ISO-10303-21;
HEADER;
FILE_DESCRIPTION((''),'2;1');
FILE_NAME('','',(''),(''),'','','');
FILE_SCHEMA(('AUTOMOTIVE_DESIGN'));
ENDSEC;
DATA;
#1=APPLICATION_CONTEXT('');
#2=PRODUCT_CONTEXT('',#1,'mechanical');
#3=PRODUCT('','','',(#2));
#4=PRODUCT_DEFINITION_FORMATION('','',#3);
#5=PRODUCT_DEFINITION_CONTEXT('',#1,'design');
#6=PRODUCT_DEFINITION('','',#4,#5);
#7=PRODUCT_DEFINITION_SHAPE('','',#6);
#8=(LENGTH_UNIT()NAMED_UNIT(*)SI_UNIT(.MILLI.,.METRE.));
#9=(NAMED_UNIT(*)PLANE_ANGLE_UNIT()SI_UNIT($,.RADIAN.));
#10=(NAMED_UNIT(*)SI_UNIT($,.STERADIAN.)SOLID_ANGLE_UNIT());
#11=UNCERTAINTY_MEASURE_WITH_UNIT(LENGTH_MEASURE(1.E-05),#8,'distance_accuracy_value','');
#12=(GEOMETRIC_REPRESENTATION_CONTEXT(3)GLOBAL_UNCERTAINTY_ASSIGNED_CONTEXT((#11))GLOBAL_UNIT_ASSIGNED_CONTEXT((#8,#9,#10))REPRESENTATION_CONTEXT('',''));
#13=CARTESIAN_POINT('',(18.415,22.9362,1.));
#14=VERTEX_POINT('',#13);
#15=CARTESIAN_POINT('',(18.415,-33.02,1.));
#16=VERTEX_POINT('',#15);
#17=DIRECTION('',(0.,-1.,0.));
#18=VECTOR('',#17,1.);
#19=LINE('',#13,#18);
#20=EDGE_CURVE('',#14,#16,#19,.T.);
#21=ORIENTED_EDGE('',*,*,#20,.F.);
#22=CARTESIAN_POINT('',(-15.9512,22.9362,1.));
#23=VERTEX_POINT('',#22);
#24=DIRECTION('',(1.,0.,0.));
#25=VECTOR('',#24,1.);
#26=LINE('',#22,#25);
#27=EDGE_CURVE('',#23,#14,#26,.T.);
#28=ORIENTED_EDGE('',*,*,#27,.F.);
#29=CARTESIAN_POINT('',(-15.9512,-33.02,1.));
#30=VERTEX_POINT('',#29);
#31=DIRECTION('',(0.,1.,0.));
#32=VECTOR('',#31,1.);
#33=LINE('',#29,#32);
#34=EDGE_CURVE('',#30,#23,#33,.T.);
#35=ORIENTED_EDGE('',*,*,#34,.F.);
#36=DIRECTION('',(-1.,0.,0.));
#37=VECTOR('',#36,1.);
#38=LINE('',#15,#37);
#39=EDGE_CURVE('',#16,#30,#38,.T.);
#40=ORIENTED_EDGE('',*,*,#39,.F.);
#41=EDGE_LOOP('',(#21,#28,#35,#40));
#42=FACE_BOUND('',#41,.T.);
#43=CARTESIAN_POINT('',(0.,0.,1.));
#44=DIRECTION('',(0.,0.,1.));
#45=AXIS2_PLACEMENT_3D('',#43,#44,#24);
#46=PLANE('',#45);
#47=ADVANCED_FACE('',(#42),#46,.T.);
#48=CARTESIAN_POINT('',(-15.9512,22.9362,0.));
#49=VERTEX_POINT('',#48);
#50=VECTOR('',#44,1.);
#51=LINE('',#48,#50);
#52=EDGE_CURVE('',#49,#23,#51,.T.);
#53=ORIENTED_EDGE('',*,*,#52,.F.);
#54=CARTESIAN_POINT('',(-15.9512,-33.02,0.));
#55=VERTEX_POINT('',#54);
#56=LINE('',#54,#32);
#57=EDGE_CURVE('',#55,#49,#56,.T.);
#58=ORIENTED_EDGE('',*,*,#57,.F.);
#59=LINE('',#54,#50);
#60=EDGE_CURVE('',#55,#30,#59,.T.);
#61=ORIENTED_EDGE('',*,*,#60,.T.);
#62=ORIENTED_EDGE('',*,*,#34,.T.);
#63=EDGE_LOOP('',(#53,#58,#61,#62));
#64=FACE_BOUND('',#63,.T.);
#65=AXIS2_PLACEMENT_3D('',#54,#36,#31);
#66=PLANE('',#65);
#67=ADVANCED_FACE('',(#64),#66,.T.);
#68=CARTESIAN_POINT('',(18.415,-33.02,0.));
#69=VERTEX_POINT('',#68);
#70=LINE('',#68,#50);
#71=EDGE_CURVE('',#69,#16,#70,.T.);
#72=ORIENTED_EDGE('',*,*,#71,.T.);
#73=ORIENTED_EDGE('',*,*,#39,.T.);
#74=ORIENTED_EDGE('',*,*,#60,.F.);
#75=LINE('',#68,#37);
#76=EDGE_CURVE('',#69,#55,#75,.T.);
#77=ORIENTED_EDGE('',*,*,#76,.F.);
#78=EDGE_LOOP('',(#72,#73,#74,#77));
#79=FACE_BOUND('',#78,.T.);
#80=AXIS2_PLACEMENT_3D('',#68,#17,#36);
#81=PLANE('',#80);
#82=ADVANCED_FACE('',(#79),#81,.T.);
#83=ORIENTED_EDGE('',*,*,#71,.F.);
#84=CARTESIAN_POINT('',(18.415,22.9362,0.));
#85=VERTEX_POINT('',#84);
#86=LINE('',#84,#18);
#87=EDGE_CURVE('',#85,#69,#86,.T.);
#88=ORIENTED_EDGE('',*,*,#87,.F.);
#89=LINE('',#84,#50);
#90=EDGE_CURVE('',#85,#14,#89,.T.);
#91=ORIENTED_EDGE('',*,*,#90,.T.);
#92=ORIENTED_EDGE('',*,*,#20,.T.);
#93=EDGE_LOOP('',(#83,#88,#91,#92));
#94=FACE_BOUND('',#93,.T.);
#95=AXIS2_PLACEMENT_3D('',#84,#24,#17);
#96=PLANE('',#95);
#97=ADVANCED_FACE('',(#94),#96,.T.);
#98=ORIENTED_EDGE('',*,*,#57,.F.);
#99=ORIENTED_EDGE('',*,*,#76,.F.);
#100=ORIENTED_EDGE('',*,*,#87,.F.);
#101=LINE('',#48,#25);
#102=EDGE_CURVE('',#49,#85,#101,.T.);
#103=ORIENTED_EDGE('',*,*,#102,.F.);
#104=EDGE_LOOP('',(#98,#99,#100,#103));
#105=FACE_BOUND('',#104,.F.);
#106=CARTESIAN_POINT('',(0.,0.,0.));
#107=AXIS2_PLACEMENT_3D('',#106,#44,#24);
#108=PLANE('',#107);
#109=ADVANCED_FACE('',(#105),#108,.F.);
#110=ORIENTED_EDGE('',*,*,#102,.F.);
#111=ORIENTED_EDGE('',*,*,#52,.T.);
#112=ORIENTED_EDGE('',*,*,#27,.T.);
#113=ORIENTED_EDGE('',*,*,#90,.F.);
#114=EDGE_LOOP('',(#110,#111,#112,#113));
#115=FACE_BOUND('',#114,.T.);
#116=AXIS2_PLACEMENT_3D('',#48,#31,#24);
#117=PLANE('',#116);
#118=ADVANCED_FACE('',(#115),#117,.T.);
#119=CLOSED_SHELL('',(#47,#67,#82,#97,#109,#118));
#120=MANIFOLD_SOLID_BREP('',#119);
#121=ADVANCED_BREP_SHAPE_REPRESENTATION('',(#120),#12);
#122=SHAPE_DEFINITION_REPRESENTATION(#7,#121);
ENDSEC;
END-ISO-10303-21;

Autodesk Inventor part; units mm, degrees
ref_plane "YZ Plane" through (0, 0, 0) normal (1, 0, 0) x (0, 1, 0)
ref_plane "XZ Plane" through (0, 0, 0) normal (0, 1, 0) x (-1, 0, 0)
ref_plane "XY Plane" through (0, 0, 0) normal (0, 0, 1) x (1, 0, 0)
sketch "ST7735, ST7735_39" plane through (0, 0, 0) normal (0, 0, 1) x (1, 0, 0)
  line L0 (-15.9512, 22.9362) -> (18.415, 22.9362)
  line L1 (18.415, 22.9362) -> (18.415, -33.02)
  line L2 (18.415, -33.02) -> (-15.9512, -33.02)
  line L3 (-15.9512, -33.02) -> (-15.9512, 22.9362)
extrude "Extrusion1" add sketch "ST7735, ST7735_39" along normal blind 1
properties part number "ST7735"
